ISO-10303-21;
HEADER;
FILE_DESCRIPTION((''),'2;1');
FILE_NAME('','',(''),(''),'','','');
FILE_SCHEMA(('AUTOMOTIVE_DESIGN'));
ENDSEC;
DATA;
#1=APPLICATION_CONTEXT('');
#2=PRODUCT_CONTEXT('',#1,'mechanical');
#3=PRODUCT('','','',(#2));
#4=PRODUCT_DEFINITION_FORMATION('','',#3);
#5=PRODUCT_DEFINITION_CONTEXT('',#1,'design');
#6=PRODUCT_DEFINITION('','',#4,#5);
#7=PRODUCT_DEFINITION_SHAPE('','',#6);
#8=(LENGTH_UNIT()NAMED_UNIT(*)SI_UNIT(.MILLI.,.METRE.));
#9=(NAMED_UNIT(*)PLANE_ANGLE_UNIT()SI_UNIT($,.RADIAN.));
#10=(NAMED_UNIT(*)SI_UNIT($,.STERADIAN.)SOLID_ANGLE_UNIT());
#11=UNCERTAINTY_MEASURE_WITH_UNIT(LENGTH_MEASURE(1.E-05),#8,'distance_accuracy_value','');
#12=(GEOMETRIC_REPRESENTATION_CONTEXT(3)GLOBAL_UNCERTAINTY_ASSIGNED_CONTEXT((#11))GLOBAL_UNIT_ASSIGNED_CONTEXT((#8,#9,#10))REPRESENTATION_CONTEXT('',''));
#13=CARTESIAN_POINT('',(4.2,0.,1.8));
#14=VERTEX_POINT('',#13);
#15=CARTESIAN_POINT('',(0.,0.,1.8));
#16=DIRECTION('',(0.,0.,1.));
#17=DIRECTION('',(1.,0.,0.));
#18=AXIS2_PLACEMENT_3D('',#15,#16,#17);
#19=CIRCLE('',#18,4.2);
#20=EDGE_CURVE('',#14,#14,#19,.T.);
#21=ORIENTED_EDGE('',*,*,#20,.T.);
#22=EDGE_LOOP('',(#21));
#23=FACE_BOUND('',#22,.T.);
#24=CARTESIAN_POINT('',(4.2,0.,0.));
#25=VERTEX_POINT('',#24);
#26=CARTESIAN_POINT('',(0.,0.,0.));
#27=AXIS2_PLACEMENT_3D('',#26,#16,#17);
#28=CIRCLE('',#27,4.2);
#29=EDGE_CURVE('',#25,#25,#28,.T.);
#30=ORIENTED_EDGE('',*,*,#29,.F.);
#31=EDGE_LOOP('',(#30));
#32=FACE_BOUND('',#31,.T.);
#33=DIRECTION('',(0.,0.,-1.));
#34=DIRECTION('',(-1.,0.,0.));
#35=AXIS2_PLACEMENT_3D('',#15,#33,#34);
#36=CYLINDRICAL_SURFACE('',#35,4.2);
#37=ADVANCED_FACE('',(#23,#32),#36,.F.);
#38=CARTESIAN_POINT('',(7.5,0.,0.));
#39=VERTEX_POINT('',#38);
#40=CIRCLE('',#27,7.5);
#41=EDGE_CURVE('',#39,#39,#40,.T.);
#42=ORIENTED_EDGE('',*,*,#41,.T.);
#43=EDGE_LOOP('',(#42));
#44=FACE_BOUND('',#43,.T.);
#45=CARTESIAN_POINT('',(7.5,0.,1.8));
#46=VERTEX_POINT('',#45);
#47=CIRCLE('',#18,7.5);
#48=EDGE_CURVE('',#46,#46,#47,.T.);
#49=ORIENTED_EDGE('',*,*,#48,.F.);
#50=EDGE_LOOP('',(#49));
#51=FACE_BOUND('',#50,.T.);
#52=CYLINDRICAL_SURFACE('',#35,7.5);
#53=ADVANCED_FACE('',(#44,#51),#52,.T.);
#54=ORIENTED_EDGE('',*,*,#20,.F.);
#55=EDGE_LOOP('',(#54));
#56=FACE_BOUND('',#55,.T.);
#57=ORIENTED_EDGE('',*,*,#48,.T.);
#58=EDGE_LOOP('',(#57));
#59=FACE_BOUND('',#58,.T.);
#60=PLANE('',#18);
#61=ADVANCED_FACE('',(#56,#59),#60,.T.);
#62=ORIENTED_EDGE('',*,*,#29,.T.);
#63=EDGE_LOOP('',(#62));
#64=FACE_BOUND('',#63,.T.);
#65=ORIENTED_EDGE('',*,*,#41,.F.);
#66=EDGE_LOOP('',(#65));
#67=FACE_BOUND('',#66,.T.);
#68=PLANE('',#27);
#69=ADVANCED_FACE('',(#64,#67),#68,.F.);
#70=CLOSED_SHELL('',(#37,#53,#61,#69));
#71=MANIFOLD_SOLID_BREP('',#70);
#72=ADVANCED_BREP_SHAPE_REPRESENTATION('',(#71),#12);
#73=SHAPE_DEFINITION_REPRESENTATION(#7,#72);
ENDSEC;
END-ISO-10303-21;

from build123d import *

# Parameters (mm, degrees)
SKETCH1_R           = 7.5
SKETCH1_R_2         = 4.2
BOSS_EXTRUDE1_DEPTH = 1.8


with BuildPart() as part:
    # Sketch1 → Boss-Extrude1 (new body)
    with BuildSketch(Plane.XY):
        Circle(SKETCH1_R)
        Circle(SKETCH1_R_2, mode=Mode.SUBTRACT)
    extrude(amount=BOSS_EXTRUDE1_DEPTH)


solid = part.part
